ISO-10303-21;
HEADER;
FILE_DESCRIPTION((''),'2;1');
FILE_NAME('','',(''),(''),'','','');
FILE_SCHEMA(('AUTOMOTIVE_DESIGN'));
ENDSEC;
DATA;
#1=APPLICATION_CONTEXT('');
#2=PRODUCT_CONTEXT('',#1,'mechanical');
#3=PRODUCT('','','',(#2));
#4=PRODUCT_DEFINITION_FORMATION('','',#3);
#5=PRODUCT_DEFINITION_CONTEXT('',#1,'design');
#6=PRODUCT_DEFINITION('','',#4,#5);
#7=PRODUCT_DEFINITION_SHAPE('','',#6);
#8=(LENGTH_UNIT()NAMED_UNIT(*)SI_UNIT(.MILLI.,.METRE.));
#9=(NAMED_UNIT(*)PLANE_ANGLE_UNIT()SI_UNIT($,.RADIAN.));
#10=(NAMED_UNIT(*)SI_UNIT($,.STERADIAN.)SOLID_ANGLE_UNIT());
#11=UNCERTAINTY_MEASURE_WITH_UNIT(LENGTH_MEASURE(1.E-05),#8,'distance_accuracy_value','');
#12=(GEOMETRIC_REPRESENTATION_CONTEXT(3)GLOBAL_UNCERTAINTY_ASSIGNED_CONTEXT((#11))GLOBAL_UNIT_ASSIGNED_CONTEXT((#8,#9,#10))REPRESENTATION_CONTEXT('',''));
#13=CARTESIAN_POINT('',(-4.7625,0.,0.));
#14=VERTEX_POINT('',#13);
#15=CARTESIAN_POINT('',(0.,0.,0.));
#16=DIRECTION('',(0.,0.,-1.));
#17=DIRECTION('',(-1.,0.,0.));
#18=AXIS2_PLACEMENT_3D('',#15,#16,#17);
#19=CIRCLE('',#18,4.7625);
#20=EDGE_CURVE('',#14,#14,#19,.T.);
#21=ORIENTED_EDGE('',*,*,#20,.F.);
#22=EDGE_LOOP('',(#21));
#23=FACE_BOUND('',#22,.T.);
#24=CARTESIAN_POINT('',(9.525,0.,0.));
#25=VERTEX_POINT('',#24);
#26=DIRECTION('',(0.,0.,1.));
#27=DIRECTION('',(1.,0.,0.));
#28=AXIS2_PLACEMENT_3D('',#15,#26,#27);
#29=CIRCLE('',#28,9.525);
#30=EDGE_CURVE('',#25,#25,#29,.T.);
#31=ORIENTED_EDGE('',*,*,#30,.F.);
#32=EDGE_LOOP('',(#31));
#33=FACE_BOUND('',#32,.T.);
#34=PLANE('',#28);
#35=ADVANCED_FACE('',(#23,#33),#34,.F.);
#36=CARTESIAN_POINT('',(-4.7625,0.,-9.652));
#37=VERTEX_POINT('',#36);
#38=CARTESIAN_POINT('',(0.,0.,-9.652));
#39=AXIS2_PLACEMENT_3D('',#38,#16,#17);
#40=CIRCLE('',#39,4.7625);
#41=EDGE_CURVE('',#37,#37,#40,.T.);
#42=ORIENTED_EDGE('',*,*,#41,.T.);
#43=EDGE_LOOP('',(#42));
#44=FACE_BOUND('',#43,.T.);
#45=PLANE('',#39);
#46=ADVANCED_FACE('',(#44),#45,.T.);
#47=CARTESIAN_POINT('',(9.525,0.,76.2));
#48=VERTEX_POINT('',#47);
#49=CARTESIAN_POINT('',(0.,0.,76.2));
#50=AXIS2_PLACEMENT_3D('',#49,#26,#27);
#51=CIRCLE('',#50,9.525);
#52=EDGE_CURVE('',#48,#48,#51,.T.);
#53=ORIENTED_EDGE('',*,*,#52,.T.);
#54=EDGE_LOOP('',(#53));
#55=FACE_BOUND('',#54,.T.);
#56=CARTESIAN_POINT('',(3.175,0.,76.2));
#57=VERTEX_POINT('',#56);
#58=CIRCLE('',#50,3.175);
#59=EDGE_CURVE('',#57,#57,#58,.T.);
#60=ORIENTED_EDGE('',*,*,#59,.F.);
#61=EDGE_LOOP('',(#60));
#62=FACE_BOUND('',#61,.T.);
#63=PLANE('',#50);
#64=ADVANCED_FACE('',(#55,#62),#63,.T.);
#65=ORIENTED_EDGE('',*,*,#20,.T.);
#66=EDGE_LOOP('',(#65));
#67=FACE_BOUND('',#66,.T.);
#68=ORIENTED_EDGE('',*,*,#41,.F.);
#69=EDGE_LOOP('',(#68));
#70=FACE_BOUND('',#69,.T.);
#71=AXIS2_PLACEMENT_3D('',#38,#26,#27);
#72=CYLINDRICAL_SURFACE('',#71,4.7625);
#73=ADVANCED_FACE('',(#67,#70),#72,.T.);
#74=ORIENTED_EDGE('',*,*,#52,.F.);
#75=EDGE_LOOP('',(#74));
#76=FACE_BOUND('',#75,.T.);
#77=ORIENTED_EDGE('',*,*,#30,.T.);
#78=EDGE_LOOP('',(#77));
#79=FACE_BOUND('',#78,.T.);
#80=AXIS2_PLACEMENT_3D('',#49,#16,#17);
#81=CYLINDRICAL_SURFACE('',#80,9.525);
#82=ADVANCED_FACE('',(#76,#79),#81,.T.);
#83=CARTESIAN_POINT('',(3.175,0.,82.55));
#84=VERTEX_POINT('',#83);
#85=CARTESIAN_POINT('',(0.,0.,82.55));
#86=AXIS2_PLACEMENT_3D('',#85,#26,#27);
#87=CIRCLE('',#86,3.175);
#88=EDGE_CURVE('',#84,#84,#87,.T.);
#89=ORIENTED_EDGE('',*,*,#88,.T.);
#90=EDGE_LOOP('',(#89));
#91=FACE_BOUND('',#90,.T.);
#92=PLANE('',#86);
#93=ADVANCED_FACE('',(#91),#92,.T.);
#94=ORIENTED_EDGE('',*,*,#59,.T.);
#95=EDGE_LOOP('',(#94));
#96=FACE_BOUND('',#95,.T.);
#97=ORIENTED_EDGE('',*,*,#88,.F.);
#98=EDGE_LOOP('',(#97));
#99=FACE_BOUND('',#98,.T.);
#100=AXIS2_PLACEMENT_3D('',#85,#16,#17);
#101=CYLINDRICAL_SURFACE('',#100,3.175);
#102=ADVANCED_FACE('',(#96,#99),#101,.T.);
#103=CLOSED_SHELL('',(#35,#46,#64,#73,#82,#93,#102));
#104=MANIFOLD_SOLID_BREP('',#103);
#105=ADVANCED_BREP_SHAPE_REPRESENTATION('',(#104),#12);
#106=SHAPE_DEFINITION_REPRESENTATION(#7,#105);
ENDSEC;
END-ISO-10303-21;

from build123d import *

# Parameters (mm, degrees)
SKETCH1_R           = 9.525
BOSS_EXTRUDE1_DEPTH = 76.2
SKETCH2_R           = 3.175
BOSS_EXTRUDE2_DEPTH = 6.35
SKETCH3_R           = 4.7625
BOSS_EXTRUDE3_DEPTH = 9.652


with BuildPart() as part:
    # Sketch1 → Boss-Extrude1 (new body)
    with BuildSketch(Plane.XY):
        Circle(SKETCH1_R)
    extrude(amount=BOSS_EXTRUDE1_DEPTH)

    # Sketch2 → Boss-Extrude2 (add)
    with BuildSketch(Plane.XY.offset(76.2)):
        Circle(SKETCH2_R)
    extrude(amount=BOSS_EXTRUDE2_DEPTH)

    # Sketch3 → Boss-Extrude3 (add)
    with BuildSketch(Plane(origin=(0, 0, 0), x_dir=(-1, 0, 0), z_dir=(0, 0, -1))):
        Circle(SKETCH3_R)
    extrude(amount=BOSS_EXTRUDE3_DEPTH)


solid = part.part
